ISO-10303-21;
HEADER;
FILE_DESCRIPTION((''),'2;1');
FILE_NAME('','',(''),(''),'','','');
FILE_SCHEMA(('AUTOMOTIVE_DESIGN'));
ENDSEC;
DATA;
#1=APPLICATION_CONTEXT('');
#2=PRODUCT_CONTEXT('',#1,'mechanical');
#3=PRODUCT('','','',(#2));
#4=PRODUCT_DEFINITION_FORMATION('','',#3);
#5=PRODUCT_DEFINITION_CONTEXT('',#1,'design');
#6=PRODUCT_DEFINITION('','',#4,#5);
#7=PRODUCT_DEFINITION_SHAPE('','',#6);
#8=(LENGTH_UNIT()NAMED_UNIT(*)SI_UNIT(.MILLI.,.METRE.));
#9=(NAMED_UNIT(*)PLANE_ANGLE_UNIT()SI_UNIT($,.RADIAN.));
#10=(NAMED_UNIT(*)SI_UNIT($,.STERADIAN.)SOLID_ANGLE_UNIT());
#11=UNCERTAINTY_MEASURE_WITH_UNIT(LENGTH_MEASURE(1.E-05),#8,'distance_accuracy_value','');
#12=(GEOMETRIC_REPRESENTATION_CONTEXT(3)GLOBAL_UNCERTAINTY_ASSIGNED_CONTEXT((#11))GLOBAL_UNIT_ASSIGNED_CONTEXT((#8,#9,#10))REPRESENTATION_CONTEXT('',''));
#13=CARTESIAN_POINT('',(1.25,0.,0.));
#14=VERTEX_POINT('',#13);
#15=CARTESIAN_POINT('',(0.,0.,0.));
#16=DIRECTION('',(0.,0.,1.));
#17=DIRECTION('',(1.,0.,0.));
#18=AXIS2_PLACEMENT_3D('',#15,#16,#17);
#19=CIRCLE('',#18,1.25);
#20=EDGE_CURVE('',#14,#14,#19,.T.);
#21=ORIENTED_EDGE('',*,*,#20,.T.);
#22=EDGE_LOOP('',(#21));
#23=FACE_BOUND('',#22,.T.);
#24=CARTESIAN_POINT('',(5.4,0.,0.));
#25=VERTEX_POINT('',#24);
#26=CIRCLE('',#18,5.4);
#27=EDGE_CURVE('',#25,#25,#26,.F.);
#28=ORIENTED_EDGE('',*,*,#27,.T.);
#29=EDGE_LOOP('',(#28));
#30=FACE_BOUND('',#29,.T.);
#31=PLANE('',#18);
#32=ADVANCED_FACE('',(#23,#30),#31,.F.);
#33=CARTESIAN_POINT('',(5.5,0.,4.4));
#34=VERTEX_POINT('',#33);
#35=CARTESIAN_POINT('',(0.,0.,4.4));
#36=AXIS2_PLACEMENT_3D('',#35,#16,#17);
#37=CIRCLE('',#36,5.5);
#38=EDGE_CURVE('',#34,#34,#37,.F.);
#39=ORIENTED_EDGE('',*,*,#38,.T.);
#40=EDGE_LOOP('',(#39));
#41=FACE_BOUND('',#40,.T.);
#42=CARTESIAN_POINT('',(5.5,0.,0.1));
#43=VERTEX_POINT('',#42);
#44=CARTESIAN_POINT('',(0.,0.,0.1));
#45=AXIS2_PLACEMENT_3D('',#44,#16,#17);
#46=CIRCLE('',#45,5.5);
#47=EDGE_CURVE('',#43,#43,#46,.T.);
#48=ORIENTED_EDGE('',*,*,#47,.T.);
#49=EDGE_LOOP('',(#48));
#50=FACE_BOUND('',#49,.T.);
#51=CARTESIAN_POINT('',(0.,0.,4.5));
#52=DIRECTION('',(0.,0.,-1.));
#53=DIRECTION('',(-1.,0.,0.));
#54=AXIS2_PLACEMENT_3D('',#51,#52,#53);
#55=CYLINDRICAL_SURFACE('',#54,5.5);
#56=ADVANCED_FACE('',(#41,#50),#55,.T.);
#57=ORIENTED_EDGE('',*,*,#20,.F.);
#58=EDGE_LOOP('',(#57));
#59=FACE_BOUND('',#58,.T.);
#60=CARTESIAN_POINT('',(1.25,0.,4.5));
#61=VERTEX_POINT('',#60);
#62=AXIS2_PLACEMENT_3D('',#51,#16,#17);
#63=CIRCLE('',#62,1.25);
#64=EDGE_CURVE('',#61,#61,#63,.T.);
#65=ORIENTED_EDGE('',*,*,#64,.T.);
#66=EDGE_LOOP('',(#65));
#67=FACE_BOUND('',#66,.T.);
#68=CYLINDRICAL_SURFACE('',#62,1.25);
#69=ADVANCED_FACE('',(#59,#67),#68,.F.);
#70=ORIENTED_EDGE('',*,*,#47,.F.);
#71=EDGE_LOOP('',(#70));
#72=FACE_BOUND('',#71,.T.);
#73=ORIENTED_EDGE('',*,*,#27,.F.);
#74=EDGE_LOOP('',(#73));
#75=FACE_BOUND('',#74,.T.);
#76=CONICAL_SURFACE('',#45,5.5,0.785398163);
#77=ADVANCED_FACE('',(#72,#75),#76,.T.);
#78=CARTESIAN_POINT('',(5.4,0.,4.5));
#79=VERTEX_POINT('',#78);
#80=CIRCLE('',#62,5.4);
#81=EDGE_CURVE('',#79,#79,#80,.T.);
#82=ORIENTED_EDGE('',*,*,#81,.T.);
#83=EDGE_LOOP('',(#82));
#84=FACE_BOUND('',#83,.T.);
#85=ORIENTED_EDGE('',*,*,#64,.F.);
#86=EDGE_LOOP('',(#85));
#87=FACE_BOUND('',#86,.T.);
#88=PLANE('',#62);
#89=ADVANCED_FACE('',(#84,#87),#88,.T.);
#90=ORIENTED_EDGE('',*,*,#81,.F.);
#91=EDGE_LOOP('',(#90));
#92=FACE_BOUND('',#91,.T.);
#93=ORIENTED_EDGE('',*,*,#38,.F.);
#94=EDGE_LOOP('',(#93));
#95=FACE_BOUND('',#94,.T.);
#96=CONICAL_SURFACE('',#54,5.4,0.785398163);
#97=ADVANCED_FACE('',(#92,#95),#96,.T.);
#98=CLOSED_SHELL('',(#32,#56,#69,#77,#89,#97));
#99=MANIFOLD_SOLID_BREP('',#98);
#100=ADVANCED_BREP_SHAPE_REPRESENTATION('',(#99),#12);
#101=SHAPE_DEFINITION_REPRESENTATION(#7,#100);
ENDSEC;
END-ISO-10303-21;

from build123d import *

# Parameters (mm, degrees)
ESQUISSE1_R        = 5.5
BOSS_EXTRU_1_DEPTH = 4.5
TROU_TARAUD_M31_D  = 2.5
CHANFREIN1_SIZE    = 0.1


with BuildPart() as part:
    # Esquisse1 → Boss.-Extru.1 (new body)
    with BuildSketch(Plane.XY):
        Circle(ESQUISSE1_R)
    extrude(amount=BOSS_EXTRU_1_DEPTH)

    # Trou taraudé M31 (through all)
    with Locations(Plane.XY.offset(4.5)):
        with Locations((0, 0)):
            Hole(TROU_TARAUD_M31_D / 2)

    # Chanfrein1
    chanfrein1_edges = [part.edges().sort_by_distance(p)[0] for p in [
        (-5.5, 0, 0),
        (-5.5, 0, 4.5),
    ]]
    chamfer(chanfrein1_edges, length=CHANFREIN1_SIZE)


solid = part.part
